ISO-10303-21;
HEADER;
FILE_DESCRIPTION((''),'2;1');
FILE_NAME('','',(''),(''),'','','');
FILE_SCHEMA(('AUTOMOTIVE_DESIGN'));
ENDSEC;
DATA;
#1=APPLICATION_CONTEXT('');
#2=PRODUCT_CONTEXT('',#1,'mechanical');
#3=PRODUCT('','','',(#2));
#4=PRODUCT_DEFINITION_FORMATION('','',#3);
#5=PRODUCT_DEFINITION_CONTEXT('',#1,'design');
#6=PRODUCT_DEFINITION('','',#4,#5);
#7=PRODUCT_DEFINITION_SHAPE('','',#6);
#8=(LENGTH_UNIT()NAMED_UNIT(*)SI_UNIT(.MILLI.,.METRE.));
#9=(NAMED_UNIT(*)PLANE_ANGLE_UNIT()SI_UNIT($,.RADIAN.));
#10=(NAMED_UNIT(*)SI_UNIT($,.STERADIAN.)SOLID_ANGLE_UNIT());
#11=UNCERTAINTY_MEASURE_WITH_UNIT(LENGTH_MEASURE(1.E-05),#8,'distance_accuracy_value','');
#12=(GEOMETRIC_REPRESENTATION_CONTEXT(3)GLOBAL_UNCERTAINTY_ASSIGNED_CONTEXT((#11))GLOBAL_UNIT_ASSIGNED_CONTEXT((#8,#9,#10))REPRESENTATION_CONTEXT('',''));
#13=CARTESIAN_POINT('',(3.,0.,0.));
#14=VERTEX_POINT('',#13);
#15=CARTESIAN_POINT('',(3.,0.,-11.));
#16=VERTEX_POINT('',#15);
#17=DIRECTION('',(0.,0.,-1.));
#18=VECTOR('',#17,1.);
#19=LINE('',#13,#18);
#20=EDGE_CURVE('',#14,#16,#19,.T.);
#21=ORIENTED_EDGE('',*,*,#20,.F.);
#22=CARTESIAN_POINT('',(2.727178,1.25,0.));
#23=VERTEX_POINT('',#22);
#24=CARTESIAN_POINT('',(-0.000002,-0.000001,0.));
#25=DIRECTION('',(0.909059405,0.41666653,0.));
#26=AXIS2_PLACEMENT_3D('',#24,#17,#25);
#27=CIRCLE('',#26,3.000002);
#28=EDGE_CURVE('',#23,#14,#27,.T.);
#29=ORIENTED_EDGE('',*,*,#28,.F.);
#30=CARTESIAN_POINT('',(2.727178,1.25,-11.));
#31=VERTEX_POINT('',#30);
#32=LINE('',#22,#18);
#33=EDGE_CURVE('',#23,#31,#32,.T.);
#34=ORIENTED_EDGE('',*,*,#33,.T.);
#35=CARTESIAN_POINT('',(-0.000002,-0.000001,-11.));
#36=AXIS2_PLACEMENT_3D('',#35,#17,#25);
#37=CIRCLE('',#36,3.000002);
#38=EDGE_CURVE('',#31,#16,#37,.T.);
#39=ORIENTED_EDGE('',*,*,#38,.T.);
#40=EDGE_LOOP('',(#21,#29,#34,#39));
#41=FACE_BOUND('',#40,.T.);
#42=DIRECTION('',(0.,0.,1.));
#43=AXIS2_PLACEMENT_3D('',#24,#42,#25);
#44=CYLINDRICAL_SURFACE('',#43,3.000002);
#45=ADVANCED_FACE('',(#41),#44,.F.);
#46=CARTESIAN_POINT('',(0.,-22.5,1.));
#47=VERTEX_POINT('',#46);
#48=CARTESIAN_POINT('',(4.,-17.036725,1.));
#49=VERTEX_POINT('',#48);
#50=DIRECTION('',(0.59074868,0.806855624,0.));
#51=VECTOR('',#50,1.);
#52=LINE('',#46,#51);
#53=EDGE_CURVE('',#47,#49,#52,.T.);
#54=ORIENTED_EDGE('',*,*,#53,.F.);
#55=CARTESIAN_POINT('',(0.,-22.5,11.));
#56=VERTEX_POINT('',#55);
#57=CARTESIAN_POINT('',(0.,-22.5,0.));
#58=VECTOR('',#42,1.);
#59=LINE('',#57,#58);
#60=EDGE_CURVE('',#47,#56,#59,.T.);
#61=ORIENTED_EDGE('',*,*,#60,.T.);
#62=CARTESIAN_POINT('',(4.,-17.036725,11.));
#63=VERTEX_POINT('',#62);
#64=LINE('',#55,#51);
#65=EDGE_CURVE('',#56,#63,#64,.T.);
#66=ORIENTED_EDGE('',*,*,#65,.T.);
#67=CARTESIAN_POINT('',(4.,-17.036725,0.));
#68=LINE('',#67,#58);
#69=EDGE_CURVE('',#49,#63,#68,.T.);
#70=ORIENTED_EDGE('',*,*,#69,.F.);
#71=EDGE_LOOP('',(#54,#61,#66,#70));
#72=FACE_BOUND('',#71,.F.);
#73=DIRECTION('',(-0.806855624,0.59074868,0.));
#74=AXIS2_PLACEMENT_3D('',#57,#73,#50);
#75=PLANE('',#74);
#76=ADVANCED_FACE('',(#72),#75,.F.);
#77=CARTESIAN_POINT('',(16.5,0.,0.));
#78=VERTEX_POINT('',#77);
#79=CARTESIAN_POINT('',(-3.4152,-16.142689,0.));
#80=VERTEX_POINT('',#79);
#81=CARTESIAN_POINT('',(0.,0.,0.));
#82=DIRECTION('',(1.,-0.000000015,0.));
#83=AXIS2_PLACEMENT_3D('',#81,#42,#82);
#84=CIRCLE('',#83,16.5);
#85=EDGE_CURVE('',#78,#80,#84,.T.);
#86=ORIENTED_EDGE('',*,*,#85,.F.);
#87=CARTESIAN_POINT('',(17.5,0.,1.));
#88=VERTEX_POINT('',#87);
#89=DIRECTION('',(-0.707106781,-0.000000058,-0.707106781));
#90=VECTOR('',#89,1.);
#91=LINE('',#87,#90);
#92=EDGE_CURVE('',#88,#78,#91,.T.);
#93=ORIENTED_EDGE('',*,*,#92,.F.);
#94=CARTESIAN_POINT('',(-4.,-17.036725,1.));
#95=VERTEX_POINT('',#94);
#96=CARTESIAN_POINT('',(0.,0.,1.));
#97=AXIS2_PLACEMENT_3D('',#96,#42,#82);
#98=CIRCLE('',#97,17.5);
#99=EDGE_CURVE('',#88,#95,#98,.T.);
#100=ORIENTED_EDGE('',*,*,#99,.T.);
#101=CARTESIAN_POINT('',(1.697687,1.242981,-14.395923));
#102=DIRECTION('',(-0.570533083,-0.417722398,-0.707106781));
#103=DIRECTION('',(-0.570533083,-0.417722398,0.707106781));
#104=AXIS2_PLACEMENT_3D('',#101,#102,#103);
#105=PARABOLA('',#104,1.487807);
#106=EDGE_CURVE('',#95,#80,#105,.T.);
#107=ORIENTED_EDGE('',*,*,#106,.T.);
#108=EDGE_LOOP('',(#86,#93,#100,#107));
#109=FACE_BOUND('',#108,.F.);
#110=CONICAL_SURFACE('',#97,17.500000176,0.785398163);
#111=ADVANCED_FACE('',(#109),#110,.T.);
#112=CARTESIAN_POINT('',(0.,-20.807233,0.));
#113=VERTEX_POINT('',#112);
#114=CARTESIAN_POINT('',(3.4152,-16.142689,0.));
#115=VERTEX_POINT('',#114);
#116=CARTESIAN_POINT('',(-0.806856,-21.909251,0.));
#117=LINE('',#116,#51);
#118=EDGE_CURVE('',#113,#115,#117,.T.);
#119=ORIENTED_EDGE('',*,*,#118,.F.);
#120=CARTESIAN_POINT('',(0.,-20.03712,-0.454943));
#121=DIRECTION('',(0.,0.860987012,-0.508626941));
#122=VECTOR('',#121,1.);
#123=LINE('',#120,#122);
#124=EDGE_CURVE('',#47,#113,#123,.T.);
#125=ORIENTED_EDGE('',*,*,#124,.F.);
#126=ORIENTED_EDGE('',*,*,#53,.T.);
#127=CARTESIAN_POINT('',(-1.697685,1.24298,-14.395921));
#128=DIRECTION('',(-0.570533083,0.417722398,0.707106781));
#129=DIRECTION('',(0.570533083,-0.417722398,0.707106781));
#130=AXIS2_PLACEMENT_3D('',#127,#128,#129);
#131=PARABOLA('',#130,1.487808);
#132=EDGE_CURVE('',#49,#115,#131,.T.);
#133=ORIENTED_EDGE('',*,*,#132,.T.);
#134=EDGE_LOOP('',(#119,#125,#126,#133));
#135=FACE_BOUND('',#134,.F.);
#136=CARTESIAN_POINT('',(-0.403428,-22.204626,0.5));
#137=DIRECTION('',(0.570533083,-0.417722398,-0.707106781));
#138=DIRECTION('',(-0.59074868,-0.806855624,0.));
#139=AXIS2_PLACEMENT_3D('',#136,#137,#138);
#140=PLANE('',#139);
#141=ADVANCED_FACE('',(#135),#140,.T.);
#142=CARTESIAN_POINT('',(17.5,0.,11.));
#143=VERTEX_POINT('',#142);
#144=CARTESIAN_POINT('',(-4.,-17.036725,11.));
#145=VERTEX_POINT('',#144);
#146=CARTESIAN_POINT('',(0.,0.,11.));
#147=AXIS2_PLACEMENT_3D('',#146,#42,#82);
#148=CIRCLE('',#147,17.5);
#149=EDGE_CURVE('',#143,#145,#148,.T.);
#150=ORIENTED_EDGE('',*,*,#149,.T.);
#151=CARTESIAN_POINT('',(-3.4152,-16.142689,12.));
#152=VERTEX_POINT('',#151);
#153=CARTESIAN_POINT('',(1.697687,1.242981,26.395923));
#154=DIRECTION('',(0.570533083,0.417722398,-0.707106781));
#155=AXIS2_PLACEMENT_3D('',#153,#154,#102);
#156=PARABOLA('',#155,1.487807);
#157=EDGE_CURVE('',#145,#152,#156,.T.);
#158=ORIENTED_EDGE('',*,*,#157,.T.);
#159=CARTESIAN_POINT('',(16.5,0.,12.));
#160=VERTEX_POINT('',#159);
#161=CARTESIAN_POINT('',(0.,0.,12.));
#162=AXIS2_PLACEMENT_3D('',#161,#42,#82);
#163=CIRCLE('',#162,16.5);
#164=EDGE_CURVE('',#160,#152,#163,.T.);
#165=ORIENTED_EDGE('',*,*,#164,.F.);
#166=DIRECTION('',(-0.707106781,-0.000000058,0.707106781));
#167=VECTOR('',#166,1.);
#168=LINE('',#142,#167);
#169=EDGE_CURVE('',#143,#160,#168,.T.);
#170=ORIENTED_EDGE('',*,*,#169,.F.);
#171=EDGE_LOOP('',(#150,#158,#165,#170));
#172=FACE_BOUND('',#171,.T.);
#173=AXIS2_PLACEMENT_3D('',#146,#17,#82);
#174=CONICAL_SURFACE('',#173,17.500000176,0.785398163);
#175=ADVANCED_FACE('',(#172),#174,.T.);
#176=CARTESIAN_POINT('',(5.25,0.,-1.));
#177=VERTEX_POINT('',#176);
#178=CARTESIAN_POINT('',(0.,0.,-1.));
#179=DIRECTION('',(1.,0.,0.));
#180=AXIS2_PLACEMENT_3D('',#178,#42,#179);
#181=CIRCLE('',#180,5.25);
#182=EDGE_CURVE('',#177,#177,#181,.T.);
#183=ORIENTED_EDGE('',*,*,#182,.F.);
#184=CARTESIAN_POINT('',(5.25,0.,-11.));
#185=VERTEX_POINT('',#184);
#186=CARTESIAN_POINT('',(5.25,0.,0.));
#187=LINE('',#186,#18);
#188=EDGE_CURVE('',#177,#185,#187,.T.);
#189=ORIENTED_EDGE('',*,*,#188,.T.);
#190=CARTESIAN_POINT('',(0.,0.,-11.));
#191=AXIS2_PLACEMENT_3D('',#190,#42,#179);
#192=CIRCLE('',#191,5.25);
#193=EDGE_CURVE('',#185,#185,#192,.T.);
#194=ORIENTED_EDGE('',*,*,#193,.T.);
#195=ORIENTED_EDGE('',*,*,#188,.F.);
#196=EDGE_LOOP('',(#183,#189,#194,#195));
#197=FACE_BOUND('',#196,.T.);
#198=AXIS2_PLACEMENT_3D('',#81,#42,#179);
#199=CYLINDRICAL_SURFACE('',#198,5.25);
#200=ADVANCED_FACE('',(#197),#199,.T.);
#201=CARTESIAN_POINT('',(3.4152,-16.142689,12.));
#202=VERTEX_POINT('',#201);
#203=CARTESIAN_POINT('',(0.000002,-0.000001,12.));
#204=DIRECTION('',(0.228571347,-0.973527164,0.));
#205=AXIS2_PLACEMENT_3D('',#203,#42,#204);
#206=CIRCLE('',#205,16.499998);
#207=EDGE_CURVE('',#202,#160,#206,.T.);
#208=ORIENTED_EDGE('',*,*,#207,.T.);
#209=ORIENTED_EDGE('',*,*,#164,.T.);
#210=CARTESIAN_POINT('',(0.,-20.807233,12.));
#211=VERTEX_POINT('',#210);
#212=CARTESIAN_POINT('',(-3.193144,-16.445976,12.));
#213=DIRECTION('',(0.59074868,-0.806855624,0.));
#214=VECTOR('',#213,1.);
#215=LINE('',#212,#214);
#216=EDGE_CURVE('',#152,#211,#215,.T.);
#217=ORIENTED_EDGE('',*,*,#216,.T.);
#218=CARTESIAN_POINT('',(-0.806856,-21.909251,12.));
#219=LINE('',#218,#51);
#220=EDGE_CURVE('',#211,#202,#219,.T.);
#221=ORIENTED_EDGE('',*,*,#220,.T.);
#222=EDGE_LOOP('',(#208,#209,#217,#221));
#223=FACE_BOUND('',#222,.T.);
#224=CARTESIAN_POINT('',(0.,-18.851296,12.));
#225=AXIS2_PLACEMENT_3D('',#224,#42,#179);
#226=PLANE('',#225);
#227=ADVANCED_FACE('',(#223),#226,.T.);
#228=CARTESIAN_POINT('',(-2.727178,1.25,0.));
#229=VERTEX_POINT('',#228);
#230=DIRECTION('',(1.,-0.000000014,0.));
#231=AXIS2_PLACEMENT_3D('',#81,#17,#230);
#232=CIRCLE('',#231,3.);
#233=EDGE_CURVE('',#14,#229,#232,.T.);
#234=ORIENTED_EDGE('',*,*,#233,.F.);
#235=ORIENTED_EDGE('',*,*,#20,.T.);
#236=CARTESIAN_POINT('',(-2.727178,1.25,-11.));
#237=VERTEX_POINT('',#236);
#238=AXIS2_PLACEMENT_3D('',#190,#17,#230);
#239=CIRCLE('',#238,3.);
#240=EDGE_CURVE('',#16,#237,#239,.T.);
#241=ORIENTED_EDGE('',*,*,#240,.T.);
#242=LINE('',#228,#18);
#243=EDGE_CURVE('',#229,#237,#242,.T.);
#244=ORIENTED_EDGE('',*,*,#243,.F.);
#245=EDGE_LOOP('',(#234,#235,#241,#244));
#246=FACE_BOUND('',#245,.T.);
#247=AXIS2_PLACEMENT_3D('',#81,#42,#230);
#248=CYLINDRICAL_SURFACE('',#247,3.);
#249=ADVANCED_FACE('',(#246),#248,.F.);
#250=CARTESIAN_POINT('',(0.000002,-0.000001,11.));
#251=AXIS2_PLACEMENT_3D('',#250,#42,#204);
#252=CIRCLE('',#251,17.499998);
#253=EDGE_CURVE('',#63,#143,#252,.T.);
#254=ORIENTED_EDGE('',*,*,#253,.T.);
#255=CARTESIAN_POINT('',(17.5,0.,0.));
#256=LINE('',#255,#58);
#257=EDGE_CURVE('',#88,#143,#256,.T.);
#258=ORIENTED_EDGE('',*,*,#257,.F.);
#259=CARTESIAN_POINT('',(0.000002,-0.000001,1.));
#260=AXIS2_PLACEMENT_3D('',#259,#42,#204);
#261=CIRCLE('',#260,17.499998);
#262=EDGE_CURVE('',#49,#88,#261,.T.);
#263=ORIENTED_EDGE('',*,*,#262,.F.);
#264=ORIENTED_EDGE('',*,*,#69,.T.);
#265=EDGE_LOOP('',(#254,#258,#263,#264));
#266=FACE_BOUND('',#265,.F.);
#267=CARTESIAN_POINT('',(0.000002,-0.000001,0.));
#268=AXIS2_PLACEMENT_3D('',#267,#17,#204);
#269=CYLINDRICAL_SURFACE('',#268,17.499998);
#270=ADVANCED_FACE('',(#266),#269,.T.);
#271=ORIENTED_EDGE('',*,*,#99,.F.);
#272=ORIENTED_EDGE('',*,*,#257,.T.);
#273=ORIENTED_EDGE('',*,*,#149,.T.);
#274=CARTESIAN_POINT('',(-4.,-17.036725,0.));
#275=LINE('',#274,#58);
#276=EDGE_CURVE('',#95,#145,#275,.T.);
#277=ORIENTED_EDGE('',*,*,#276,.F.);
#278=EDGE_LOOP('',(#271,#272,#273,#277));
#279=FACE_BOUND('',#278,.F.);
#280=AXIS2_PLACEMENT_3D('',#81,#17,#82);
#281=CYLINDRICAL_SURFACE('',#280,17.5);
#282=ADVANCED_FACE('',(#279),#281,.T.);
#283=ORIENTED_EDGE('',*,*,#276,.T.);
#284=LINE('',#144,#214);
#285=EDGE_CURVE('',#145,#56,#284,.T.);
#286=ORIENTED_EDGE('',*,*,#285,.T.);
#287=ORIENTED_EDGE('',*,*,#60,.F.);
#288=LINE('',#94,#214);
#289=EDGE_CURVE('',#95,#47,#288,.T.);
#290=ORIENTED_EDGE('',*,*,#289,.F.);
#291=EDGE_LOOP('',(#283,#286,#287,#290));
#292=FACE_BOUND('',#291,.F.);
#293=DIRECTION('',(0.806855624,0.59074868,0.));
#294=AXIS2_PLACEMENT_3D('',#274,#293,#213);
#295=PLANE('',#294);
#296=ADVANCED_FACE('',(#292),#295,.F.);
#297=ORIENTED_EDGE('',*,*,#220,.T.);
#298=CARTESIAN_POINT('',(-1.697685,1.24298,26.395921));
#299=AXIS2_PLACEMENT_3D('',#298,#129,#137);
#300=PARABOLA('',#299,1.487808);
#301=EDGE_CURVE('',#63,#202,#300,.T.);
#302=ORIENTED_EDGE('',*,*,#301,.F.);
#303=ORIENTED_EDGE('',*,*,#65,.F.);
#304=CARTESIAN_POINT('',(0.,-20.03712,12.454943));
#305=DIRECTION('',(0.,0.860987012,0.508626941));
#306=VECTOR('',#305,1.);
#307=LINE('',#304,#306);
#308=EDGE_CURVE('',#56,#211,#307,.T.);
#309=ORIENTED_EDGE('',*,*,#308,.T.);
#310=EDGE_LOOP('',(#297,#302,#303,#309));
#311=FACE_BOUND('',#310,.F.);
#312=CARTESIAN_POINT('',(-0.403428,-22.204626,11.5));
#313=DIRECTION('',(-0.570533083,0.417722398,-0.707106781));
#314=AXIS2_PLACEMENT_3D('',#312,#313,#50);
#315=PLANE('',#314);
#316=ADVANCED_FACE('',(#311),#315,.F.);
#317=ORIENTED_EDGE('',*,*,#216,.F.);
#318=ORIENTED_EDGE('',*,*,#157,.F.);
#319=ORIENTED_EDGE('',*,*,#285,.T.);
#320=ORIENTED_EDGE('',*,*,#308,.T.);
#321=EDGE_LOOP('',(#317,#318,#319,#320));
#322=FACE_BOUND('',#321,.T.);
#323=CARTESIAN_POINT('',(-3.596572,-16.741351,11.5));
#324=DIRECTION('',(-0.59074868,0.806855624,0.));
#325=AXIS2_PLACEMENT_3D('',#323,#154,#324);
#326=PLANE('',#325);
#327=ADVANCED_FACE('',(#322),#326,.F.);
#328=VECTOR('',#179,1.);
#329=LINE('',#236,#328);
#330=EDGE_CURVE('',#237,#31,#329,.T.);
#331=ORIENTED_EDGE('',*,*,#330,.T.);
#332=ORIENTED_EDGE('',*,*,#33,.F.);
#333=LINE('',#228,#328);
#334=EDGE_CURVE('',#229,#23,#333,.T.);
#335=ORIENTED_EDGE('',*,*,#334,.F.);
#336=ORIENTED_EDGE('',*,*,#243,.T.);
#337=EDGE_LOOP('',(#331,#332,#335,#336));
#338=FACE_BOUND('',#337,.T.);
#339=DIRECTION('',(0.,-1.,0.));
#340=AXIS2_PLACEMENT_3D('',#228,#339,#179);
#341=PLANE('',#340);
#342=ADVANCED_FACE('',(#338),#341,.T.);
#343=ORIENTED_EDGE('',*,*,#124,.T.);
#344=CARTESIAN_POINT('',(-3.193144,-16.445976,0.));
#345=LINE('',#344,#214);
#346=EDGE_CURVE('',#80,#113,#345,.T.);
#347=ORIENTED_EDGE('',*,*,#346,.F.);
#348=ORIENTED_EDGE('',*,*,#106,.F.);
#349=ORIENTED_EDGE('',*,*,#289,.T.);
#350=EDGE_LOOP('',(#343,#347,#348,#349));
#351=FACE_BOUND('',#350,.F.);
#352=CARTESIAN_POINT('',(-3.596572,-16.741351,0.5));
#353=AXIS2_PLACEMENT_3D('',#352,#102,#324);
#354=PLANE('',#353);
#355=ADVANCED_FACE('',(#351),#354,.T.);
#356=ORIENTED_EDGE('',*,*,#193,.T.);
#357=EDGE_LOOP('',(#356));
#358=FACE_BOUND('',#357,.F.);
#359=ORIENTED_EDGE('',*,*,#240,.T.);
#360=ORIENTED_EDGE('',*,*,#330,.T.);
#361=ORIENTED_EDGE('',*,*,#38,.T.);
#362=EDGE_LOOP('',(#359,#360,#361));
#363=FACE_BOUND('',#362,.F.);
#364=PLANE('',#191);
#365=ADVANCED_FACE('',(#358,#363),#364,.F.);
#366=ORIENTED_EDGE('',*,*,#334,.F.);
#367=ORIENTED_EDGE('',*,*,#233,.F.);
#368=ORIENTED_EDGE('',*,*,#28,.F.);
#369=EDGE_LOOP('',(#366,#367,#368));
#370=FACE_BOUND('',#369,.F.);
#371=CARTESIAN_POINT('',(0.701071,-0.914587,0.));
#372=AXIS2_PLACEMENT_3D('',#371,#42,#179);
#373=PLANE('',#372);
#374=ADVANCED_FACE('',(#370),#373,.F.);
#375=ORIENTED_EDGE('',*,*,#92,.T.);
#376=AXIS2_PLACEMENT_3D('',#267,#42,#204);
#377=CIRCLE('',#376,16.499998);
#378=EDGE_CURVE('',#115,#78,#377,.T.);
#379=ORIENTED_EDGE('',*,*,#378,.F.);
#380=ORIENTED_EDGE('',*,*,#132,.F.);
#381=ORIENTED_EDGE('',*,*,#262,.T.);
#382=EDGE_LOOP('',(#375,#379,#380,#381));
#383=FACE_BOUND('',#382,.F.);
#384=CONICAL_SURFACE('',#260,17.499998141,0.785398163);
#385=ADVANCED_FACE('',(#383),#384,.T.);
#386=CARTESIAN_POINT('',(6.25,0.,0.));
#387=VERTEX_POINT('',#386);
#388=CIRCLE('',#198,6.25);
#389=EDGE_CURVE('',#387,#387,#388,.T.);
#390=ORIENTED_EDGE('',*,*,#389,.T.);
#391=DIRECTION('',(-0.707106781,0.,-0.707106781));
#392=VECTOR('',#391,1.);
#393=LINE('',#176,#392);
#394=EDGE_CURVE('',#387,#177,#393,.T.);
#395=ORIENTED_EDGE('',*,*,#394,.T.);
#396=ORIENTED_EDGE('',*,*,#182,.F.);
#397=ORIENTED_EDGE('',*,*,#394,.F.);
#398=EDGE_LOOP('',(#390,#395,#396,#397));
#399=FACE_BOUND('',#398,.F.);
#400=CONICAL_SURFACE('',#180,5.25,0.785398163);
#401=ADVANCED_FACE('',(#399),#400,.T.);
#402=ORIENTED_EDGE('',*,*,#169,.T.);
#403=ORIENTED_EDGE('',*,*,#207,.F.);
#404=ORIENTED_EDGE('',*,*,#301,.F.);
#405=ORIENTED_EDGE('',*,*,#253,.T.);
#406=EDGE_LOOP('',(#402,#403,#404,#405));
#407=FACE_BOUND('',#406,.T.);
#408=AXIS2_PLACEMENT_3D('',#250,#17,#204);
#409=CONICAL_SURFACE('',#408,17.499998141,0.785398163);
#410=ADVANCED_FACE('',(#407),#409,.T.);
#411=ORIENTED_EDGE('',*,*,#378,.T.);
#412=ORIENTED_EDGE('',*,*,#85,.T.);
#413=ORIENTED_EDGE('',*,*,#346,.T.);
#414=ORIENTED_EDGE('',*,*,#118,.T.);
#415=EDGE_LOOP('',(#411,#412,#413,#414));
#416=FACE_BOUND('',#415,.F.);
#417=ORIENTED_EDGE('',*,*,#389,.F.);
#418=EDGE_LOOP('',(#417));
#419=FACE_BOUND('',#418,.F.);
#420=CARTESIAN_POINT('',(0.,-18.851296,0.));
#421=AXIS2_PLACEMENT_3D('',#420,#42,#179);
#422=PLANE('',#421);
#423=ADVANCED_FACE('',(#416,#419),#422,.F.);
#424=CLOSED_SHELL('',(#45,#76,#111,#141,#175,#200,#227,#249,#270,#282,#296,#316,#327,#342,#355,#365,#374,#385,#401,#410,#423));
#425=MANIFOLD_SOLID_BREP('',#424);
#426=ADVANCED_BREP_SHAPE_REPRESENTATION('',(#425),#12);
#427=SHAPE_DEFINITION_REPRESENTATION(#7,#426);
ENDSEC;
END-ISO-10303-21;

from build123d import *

# Parameters (mm, degrees)
F0_R     = 5.25
F1_DEPTH = 12
F2_DEPTH = 11
F3_DEPTH = 12
F4_SIZE  = 1
F5_SIZE  = 1


with BuildPart() as f1:
    # F0 (on Top) → F1 (new body)
    with BuildSketch(Plane.XY):
        with BuildLine():
            ThreePointArc((4, -17.036725), (13.715867, -10.868533), (17.5, 0))
            ThreePointArc((17.5, 0), (-10.868533, 13.715867), (-4, -17.036725))
            ThreePointArc((-4, -17.036725), (0, -17.5), (4, -17.036725))
        make_face()
        Circle(F0_R, mode=Mode.SUBTRACT)
        Circle(F0_R)
        with BuildLine():
            ThreePointArc((2.727178, 1.25), (2.931001, 0.639713), (3, 0))
            ThreePointArc((3, 0), (-0.639713, -2.931001), (-2.727178, 1.25))
            ThreePointArc((-2.727178, 1.25), (0, 3), (2.727178, 1.25))
        make_face(mode=Mode.SUBTRACT)
        with BuildLine():
            ThreePointArc((-2.727178, 1.25), (-0.639713, -2.931001), (3, 0))
            ThreePointArc((3, 0), (2.931001, 0.639713), (2.727178, 1.25))
            Line((2.727178, 1.25), (-2.727178, 1.25))
        make_face()
        with BuildLine():
            Line((-2.727178, 1.25), (2.727178, 1.25))
            ThreePointArc((2.727178, 1.25), (0, 3), (-2.727178, 1.25))
        make_face()
    extrude(amount=F1_DEPTH)

    # F0 (on Top) → F2 (join)
    with BuildSketch(Plane.XY):
        Circle(F0_R)
        with BuildLine():
            ThreePointArc((2.727178, 1.25), (2.931001, 0.639713), (3, 0))
            ThreePointArc((3, 0), (-0.639713, -2.931001), (-2.727178, 1.25))
            ThreePointArc((-2.727178, 1.25), (0, 3), (2.727178, 1.25))
        make_face(mode=Mode.SUBTRACT)
        with BuildLine():
            Line((-2.727178, 1.25), (2.727178, 1.25))
            ThreePointArc((2.727178, 1.25), (0, 3), (-2.727178, 1.25))
        make_face()
    extrude(amount=-F2_DEPTH)

    # F0 (on Top) → F3 (join)
    with BuildSketch(Plane.XY):
        with BuildLine():
            ThreePointArc((4, -17.036725), (0, -17.5), (-4, -17.036725))
            Line((-4, -17.036725), (0, -22.5))
            Line((0, -22.5), (4, -17.036725))
        make_face()
    extrude(amount=F3_DEPTH)

    # F4
    f4_edges = [f1.edges().sort_by_distance(p)[0] for p in [
        (0, 17.5, 0),
        (-2, -19.768363, 0),
        (2, -19.768363, 0),
        (-5.25, 0, 0),
    ]]
    chamfer(f4_edges, length=F4_SIZE)

    # F5
    f5_edges = [f1.edges().sort_by_distance(p)[0] for p in [
        (0, 17.5, 12),
        (-2, -19.768363, 12),
        (2, -19.768363, 12),
    ]]
    chamfer(f5_edges, length=F5_SIZE)


solid = f1.part
